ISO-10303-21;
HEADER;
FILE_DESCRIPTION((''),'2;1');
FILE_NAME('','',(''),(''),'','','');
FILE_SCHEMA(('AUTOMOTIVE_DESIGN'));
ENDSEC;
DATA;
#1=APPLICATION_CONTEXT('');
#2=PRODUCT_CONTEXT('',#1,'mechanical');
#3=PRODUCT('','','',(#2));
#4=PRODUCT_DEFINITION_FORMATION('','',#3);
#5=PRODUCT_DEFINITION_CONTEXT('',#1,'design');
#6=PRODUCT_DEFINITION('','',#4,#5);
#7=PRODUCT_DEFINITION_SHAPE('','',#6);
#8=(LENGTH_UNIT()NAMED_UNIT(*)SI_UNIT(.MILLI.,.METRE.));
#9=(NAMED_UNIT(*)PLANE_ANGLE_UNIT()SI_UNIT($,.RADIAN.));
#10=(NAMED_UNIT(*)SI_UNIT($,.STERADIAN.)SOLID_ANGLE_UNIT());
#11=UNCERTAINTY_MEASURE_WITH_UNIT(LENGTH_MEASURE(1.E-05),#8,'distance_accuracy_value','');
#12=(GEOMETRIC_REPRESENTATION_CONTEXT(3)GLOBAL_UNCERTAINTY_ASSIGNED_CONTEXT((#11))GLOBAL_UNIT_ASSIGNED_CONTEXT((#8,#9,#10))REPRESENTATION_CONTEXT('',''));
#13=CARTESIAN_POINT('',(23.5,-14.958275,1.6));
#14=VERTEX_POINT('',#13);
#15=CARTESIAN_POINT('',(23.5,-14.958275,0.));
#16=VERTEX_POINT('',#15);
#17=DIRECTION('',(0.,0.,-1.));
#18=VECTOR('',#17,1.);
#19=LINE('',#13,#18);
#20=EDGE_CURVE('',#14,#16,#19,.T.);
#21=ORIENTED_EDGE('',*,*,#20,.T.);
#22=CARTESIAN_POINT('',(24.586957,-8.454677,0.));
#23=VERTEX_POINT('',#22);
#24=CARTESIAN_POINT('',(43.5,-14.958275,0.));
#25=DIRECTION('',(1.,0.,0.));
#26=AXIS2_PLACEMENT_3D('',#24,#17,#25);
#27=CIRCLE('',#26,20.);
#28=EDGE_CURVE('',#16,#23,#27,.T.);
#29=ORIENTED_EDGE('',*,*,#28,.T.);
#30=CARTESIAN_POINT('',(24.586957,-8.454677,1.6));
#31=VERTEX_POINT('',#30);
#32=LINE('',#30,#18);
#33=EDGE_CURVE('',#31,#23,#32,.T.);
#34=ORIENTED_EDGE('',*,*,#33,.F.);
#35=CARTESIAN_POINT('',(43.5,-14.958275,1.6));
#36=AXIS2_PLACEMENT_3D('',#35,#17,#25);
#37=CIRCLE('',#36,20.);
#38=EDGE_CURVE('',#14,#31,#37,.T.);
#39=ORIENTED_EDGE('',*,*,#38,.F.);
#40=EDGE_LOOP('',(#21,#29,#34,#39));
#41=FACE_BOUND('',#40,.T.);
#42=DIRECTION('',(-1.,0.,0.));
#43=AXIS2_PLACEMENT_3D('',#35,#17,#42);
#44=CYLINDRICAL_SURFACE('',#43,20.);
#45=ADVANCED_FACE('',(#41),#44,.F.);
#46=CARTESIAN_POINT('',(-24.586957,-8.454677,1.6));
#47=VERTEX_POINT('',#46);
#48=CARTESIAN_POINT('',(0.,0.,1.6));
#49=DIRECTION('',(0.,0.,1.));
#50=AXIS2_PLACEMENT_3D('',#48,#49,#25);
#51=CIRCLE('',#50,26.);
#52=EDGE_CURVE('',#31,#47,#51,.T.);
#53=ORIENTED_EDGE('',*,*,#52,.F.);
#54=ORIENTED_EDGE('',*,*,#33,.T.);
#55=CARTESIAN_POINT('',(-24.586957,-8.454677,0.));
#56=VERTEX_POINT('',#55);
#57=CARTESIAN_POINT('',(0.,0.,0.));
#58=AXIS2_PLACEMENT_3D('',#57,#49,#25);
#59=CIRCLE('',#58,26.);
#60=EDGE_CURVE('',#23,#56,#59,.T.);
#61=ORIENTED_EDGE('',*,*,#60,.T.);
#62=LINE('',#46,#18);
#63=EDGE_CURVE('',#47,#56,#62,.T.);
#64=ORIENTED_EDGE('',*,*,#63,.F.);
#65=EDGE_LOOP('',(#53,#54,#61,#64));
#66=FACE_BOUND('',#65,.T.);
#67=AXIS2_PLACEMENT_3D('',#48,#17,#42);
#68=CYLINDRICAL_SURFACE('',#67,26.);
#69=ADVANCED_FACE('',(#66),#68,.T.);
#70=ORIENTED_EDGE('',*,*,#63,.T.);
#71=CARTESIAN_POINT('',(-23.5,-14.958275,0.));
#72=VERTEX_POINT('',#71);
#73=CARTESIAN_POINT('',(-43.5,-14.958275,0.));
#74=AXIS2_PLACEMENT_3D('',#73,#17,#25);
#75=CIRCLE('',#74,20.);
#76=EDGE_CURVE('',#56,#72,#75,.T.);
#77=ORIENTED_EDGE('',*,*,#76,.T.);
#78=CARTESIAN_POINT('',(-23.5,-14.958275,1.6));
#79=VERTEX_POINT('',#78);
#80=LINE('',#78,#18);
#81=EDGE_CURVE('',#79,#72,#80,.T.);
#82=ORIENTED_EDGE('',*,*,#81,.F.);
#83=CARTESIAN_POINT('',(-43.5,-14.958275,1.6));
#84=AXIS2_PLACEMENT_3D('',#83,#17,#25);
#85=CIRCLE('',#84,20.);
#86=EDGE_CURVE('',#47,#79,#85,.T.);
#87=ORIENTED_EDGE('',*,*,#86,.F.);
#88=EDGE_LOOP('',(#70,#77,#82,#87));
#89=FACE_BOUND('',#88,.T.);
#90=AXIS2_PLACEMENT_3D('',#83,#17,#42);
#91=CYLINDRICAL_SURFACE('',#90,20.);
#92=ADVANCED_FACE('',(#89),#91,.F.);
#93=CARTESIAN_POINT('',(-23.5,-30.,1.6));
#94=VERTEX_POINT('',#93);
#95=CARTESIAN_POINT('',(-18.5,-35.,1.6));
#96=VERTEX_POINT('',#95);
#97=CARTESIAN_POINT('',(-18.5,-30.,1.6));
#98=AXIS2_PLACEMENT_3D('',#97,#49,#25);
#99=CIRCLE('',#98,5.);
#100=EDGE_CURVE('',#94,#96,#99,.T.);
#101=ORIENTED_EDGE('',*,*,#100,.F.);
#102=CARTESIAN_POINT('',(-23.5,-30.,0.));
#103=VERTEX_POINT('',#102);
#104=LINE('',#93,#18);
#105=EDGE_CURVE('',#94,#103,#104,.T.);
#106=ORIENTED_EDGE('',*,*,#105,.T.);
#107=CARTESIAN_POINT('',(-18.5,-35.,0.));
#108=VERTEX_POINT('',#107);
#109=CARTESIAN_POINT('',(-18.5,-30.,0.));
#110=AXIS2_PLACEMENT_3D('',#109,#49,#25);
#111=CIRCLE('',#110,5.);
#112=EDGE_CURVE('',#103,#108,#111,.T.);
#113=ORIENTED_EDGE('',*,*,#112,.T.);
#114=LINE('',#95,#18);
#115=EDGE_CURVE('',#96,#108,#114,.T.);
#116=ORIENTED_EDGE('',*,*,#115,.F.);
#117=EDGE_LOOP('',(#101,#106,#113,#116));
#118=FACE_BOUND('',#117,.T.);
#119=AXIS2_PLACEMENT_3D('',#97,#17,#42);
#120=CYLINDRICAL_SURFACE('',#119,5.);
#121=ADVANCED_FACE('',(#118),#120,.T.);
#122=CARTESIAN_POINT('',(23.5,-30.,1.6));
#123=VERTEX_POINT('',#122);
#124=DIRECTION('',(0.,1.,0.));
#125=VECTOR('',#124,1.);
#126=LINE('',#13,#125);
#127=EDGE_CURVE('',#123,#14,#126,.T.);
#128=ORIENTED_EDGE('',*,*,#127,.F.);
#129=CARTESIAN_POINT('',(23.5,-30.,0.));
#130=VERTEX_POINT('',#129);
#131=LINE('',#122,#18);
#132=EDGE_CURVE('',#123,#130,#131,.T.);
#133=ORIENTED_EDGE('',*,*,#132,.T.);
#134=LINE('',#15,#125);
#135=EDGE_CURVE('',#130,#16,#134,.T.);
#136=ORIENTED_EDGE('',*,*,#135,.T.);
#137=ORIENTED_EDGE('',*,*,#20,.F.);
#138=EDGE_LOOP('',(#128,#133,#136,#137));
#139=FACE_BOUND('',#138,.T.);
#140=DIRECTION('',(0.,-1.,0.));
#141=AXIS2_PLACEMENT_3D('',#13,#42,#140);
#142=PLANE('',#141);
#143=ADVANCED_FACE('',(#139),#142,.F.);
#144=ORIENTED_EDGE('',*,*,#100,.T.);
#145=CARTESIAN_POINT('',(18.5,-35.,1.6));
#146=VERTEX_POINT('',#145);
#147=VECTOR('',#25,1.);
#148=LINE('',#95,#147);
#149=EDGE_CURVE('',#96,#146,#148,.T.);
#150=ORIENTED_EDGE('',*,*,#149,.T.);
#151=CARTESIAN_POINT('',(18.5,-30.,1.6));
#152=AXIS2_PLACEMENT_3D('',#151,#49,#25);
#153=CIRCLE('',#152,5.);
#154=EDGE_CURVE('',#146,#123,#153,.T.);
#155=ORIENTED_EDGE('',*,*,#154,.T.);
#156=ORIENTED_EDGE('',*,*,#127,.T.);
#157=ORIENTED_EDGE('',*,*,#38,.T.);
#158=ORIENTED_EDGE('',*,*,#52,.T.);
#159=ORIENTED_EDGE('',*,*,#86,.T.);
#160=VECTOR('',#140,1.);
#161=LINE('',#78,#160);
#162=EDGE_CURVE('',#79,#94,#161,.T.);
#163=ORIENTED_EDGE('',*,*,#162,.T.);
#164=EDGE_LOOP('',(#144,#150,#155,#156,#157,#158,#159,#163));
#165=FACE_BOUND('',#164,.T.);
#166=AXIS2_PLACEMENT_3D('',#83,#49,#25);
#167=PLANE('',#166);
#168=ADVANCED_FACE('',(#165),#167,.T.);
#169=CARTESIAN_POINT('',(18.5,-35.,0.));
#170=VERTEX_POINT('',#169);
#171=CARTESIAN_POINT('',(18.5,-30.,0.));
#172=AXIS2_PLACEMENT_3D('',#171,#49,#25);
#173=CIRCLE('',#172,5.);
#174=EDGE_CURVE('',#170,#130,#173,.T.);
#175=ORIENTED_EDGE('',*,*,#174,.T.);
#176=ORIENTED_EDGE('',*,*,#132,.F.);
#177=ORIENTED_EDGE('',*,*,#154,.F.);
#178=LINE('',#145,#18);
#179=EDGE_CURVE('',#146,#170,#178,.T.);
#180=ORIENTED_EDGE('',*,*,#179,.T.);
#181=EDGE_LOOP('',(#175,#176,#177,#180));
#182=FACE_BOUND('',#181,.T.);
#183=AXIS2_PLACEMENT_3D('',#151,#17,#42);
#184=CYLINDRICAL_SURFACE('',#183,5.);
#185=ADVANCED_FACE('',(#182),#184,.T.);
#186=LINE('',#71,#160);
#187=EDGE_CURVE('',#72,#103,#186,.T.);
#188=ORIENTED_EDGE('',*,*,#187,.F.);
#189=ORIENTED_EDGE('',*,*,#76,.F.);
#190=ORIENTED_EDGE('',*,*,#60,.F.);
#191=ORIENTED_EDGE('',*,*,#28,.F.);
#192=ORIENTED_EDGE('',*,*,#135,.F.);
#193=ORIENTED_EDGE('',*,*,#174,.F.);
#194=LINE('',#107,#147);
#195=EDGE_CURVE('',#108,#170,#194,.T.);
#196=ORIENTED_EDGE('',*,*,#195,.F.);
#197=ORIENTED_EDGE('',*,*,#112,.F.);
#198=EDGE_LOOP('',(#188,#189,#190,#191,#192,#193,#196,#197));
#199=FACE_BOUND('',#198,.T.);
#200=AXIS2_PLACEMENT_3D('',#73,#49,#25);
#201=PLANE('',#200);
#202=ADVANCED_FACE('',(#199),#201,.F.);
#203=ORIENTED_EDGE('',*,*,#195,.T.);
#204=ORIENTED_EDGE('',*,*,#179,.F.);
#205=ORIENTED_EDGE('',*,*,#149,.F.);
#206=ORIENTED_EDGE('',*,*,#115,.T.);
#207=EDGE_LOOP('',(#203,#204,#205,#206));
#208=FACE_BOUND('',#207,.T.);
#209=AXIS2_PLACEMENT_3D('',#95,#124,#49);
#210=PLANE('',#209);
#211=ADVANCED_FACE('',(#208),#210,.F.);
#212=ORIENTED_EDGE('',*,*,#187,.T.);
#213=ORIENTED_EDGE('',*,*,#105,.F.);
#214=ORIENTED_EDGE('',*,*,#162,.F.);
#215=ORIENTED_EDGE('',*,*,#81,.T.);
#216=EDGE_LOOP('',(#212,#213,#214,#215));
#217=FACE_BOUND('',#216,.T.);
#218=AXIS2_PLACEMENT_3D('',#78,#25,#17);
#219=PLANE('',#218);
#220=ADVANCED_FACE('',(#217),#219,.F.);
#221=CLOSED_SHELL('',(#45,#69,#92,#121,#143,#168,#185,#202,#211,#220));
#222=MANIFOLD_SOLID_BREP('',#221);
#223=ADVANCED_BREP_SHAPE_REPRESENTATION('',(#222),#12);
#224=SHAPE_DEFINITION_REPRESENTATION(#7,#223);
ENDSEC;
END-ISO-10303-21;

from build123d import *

# Parameters (mm, degrees)
BOSS_EXTRUDE1_DEPTH = 1.6


with BuildPart() as part:
    # Sketch1 → Boss-Extrude1 (new body)
    with BuildSketch(Plane.XY):
        with BuildLine():
            Line((-23.5, -14.958275302), (-23.5, -30))
            ThreePointArc((-23.5, -30), (-22.035533906, -33.535533906), (-18.5, -35))
            Line((-18.5, -35), (18.5, -35))
            ThreePointArc((18.5, -35), (22.035533906, -33.535533906), (23.5, -30))
            Line((23.5, -30), (23.5, -14.958275302))
            ThreePointArc((23.5, -14.958275302), (23.773610701, -11.661372935), (24.586956522, -8.454677344))
            ThreePointArc((24.586956522, -8.454677344), (0, 26), (-24.586956522, -8.454677344))
            ThreePointArc((-24.586956522, -8.454677344), (-23.773610701, -11.661372935), (-23.5, -14.958275302))
        make_face()
    extrude(amount=BOSS_EXTRUDE1_DEPTH)


solid = part.part
